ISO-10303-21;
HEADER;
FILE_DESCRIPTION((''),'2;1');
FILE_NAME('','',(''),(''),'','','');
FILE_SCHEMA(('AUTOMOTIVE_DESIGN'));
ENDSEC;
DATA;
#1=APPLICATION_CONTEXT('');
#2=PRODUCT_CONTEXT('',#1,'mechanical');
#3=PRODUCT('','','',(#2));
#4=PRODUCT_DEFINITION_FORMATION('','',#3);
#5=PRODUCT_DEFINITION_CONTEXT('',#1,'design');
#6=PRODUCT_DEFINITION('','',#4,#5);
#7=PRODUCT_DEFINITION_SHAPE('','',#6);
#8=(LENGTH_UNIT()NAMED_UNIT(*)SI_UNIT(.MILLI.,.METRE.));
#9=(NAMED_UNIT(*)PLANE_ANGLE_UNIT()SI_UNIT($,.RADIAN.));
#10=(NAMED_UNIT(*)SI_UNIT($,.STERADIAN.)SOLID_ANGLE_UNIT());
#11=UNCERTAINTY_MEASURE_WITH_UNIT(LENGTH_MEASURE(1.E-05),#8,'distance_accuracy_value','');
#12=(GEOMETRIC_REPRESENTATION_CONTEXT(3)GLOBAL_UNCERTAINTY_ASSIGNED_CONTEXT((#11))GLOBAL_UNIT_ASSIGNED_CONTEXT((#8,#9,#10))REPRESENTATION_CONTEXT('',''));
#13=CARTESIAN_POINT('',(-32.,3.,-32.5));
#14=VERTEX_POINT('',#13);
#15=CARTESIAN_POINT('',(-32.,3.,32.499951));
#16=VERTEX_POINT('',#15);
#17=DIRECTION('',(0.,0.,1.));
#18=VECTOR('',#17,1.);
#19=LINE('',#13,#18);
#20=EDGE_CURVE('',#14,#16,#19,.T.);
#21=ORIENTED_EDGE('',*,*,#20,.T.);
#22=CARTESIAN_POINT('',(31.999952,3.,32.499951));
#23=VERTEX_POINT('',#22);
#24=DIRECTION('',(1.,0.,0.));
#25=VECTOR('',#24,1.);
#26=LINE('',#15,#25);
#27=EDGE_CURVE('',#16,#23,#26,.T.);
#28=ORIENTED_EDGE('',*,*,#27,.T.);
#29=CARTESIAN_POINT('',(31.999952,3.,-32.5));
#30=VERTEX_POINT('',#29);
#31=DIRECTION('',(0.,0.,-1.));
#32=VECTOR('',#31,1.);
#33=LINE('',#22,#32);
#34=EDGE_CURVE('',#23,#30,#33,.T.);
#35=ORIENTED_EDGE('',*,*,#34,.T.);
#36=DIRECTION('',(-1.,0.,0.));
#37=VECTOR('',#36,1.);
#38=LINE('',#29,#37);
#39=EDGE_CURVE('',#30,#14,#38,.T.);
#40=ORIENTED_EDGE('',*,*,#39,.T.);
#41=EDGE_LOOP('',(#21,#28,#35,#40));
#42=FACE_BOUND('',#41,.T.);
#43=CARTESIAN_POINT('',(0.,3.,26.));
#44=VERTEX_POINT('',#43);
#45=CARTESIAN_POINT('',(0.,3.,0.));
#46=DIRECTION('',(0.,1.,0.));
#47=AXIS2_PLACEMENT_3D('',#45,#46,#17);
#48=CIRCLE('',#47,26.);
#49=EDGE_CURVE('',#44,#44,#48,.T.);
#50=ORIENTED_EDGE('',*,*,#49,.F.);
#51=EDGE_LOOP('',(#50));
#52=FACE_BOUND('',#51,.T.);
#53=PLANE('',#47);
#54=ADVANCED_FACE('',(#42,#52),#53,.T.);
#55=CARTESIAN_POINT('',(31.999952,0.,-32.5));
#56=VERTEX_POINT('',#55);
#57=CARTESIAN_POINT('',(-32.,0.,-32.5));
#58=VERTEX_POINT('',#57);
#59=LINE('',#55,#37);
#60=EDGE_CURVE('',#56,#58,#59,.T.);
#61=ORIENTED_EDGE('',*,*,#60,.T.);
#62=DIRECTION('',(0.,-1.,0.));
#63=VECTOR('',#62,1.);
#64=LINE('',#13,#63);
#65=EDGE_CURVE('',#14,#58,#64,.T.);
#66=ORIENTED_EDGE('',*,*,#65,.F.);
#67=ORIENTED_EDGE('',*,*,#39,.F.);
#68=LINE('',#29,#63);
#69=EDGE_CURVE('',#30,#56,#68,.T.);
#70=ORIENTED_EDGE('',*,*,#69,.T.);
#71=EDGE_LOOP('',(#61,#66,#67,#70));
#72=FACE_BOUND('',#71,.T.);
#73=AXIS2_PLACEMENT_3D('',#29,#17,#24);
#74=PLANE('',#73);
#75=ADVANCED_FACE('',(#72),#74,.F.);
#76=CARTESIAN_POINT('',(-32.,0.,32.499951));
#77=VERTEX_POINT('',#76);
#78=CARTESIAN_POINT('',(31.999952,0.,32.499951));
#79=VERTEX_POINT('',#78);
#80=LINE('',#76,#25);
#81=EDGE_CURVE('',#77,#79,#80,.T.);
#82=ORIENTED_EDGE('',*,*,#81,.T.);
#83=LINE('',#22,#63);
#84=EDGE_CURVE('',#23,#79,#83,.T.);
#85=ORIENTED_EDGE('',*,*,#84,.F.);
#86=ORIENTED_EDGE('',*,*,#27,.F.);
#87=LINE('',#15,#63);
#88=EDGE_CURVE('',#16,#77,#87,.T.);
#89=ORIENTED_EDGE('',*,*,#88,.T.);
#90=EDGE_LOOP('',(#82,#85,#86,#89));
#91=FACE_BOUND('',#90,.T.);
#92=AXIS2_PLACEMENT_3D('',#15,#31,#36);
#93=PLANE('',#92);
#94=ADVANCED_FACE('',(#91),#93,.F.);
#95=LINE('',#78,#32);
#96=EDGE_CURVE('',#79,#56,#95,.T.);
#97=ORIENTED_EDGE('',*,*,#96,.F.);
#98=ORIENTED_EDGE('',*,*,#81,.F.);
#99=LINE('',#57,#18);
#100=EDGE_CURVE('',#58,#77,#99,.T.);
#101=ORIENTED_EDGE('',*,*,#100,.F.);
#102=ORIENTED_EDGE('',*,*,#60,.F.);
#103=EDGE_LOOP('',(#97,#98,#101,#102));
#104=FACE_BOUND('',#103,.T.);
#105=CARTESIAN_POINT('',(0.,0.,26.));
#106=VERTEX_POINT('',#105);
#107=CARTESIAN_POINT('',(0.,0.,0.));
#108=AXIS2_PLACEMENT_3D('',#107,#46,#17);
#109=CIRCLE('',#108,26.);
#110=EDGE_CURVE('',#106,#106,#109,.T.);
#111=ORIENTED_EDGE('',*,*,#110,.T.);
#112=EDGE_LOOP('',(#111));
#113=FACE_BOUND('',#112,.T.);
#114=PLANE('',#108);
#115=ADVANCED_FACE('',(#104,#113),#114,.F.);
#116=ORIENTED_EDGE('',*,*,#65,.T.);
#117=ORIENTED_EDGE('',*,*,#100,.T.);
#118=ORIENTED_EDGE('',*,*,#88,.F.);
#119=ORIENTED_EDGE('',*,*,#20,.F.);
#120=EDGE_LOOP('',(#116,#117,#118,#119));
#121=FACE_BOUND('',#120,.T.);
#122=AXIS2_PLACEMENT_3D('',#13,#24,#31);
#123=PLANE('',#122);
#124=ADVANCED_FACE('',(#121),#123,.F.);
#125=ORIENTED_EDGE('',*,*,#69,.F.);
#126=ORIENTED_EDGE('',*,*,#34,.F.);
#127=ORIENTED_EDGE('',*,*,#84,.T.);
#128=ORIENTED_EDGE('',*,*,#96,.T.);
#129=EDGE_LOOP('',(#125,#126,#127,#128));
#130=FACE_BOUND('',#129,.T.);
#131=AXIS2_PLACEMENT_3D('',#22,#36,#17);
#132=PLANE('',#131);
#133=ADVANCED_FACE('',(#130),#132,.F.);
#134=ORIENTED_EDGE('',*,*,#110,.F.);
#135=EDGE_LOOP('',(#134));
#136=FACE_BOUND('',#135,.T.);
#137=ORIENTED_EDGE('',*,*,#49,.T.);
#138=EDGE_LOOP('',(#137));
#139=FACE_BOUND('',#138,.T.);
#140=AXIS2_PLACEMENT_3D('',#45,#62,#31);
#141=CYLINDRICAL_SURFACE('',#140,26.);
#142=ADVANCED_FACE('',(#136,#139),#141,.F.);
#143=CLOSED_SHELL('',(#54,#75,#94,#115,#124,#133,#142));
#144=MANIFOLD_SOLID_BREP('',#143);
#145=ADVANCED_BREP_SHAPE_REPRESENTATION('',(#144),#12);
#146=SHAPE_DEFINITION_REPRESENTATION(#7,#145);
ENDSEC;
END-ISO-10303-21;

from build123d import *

# Parameters (mm, degrees)
SKETCH2_W           = 63.999951571
SKETCH2_H           = 64.999950779
SKETCH2_R           = 26
BOSS_EXTRUDE1_DEPTH = 3


with BuildPart() as part:
    # Sketch2 → Boss-Extrude1 (new body)
    with BuildSketch(Plane(origin=(0, 0, 0), x_dir=(1, 0, 0), z_dir=(0, 1, 0))):
        with Locations((-2.4214e-05, 2.461e-05)):
            Rectangle(SKETCH2_W, SKETCH2_H)
        with Locations(Location((0, 0, 0), (0, 0, 270))):
            Circle(SKETCH2_R, mode=Mode.SUBTRACT)
    extrude(amount=BOSS_EXTRUDE1_DEPTH)


solid = part.part
